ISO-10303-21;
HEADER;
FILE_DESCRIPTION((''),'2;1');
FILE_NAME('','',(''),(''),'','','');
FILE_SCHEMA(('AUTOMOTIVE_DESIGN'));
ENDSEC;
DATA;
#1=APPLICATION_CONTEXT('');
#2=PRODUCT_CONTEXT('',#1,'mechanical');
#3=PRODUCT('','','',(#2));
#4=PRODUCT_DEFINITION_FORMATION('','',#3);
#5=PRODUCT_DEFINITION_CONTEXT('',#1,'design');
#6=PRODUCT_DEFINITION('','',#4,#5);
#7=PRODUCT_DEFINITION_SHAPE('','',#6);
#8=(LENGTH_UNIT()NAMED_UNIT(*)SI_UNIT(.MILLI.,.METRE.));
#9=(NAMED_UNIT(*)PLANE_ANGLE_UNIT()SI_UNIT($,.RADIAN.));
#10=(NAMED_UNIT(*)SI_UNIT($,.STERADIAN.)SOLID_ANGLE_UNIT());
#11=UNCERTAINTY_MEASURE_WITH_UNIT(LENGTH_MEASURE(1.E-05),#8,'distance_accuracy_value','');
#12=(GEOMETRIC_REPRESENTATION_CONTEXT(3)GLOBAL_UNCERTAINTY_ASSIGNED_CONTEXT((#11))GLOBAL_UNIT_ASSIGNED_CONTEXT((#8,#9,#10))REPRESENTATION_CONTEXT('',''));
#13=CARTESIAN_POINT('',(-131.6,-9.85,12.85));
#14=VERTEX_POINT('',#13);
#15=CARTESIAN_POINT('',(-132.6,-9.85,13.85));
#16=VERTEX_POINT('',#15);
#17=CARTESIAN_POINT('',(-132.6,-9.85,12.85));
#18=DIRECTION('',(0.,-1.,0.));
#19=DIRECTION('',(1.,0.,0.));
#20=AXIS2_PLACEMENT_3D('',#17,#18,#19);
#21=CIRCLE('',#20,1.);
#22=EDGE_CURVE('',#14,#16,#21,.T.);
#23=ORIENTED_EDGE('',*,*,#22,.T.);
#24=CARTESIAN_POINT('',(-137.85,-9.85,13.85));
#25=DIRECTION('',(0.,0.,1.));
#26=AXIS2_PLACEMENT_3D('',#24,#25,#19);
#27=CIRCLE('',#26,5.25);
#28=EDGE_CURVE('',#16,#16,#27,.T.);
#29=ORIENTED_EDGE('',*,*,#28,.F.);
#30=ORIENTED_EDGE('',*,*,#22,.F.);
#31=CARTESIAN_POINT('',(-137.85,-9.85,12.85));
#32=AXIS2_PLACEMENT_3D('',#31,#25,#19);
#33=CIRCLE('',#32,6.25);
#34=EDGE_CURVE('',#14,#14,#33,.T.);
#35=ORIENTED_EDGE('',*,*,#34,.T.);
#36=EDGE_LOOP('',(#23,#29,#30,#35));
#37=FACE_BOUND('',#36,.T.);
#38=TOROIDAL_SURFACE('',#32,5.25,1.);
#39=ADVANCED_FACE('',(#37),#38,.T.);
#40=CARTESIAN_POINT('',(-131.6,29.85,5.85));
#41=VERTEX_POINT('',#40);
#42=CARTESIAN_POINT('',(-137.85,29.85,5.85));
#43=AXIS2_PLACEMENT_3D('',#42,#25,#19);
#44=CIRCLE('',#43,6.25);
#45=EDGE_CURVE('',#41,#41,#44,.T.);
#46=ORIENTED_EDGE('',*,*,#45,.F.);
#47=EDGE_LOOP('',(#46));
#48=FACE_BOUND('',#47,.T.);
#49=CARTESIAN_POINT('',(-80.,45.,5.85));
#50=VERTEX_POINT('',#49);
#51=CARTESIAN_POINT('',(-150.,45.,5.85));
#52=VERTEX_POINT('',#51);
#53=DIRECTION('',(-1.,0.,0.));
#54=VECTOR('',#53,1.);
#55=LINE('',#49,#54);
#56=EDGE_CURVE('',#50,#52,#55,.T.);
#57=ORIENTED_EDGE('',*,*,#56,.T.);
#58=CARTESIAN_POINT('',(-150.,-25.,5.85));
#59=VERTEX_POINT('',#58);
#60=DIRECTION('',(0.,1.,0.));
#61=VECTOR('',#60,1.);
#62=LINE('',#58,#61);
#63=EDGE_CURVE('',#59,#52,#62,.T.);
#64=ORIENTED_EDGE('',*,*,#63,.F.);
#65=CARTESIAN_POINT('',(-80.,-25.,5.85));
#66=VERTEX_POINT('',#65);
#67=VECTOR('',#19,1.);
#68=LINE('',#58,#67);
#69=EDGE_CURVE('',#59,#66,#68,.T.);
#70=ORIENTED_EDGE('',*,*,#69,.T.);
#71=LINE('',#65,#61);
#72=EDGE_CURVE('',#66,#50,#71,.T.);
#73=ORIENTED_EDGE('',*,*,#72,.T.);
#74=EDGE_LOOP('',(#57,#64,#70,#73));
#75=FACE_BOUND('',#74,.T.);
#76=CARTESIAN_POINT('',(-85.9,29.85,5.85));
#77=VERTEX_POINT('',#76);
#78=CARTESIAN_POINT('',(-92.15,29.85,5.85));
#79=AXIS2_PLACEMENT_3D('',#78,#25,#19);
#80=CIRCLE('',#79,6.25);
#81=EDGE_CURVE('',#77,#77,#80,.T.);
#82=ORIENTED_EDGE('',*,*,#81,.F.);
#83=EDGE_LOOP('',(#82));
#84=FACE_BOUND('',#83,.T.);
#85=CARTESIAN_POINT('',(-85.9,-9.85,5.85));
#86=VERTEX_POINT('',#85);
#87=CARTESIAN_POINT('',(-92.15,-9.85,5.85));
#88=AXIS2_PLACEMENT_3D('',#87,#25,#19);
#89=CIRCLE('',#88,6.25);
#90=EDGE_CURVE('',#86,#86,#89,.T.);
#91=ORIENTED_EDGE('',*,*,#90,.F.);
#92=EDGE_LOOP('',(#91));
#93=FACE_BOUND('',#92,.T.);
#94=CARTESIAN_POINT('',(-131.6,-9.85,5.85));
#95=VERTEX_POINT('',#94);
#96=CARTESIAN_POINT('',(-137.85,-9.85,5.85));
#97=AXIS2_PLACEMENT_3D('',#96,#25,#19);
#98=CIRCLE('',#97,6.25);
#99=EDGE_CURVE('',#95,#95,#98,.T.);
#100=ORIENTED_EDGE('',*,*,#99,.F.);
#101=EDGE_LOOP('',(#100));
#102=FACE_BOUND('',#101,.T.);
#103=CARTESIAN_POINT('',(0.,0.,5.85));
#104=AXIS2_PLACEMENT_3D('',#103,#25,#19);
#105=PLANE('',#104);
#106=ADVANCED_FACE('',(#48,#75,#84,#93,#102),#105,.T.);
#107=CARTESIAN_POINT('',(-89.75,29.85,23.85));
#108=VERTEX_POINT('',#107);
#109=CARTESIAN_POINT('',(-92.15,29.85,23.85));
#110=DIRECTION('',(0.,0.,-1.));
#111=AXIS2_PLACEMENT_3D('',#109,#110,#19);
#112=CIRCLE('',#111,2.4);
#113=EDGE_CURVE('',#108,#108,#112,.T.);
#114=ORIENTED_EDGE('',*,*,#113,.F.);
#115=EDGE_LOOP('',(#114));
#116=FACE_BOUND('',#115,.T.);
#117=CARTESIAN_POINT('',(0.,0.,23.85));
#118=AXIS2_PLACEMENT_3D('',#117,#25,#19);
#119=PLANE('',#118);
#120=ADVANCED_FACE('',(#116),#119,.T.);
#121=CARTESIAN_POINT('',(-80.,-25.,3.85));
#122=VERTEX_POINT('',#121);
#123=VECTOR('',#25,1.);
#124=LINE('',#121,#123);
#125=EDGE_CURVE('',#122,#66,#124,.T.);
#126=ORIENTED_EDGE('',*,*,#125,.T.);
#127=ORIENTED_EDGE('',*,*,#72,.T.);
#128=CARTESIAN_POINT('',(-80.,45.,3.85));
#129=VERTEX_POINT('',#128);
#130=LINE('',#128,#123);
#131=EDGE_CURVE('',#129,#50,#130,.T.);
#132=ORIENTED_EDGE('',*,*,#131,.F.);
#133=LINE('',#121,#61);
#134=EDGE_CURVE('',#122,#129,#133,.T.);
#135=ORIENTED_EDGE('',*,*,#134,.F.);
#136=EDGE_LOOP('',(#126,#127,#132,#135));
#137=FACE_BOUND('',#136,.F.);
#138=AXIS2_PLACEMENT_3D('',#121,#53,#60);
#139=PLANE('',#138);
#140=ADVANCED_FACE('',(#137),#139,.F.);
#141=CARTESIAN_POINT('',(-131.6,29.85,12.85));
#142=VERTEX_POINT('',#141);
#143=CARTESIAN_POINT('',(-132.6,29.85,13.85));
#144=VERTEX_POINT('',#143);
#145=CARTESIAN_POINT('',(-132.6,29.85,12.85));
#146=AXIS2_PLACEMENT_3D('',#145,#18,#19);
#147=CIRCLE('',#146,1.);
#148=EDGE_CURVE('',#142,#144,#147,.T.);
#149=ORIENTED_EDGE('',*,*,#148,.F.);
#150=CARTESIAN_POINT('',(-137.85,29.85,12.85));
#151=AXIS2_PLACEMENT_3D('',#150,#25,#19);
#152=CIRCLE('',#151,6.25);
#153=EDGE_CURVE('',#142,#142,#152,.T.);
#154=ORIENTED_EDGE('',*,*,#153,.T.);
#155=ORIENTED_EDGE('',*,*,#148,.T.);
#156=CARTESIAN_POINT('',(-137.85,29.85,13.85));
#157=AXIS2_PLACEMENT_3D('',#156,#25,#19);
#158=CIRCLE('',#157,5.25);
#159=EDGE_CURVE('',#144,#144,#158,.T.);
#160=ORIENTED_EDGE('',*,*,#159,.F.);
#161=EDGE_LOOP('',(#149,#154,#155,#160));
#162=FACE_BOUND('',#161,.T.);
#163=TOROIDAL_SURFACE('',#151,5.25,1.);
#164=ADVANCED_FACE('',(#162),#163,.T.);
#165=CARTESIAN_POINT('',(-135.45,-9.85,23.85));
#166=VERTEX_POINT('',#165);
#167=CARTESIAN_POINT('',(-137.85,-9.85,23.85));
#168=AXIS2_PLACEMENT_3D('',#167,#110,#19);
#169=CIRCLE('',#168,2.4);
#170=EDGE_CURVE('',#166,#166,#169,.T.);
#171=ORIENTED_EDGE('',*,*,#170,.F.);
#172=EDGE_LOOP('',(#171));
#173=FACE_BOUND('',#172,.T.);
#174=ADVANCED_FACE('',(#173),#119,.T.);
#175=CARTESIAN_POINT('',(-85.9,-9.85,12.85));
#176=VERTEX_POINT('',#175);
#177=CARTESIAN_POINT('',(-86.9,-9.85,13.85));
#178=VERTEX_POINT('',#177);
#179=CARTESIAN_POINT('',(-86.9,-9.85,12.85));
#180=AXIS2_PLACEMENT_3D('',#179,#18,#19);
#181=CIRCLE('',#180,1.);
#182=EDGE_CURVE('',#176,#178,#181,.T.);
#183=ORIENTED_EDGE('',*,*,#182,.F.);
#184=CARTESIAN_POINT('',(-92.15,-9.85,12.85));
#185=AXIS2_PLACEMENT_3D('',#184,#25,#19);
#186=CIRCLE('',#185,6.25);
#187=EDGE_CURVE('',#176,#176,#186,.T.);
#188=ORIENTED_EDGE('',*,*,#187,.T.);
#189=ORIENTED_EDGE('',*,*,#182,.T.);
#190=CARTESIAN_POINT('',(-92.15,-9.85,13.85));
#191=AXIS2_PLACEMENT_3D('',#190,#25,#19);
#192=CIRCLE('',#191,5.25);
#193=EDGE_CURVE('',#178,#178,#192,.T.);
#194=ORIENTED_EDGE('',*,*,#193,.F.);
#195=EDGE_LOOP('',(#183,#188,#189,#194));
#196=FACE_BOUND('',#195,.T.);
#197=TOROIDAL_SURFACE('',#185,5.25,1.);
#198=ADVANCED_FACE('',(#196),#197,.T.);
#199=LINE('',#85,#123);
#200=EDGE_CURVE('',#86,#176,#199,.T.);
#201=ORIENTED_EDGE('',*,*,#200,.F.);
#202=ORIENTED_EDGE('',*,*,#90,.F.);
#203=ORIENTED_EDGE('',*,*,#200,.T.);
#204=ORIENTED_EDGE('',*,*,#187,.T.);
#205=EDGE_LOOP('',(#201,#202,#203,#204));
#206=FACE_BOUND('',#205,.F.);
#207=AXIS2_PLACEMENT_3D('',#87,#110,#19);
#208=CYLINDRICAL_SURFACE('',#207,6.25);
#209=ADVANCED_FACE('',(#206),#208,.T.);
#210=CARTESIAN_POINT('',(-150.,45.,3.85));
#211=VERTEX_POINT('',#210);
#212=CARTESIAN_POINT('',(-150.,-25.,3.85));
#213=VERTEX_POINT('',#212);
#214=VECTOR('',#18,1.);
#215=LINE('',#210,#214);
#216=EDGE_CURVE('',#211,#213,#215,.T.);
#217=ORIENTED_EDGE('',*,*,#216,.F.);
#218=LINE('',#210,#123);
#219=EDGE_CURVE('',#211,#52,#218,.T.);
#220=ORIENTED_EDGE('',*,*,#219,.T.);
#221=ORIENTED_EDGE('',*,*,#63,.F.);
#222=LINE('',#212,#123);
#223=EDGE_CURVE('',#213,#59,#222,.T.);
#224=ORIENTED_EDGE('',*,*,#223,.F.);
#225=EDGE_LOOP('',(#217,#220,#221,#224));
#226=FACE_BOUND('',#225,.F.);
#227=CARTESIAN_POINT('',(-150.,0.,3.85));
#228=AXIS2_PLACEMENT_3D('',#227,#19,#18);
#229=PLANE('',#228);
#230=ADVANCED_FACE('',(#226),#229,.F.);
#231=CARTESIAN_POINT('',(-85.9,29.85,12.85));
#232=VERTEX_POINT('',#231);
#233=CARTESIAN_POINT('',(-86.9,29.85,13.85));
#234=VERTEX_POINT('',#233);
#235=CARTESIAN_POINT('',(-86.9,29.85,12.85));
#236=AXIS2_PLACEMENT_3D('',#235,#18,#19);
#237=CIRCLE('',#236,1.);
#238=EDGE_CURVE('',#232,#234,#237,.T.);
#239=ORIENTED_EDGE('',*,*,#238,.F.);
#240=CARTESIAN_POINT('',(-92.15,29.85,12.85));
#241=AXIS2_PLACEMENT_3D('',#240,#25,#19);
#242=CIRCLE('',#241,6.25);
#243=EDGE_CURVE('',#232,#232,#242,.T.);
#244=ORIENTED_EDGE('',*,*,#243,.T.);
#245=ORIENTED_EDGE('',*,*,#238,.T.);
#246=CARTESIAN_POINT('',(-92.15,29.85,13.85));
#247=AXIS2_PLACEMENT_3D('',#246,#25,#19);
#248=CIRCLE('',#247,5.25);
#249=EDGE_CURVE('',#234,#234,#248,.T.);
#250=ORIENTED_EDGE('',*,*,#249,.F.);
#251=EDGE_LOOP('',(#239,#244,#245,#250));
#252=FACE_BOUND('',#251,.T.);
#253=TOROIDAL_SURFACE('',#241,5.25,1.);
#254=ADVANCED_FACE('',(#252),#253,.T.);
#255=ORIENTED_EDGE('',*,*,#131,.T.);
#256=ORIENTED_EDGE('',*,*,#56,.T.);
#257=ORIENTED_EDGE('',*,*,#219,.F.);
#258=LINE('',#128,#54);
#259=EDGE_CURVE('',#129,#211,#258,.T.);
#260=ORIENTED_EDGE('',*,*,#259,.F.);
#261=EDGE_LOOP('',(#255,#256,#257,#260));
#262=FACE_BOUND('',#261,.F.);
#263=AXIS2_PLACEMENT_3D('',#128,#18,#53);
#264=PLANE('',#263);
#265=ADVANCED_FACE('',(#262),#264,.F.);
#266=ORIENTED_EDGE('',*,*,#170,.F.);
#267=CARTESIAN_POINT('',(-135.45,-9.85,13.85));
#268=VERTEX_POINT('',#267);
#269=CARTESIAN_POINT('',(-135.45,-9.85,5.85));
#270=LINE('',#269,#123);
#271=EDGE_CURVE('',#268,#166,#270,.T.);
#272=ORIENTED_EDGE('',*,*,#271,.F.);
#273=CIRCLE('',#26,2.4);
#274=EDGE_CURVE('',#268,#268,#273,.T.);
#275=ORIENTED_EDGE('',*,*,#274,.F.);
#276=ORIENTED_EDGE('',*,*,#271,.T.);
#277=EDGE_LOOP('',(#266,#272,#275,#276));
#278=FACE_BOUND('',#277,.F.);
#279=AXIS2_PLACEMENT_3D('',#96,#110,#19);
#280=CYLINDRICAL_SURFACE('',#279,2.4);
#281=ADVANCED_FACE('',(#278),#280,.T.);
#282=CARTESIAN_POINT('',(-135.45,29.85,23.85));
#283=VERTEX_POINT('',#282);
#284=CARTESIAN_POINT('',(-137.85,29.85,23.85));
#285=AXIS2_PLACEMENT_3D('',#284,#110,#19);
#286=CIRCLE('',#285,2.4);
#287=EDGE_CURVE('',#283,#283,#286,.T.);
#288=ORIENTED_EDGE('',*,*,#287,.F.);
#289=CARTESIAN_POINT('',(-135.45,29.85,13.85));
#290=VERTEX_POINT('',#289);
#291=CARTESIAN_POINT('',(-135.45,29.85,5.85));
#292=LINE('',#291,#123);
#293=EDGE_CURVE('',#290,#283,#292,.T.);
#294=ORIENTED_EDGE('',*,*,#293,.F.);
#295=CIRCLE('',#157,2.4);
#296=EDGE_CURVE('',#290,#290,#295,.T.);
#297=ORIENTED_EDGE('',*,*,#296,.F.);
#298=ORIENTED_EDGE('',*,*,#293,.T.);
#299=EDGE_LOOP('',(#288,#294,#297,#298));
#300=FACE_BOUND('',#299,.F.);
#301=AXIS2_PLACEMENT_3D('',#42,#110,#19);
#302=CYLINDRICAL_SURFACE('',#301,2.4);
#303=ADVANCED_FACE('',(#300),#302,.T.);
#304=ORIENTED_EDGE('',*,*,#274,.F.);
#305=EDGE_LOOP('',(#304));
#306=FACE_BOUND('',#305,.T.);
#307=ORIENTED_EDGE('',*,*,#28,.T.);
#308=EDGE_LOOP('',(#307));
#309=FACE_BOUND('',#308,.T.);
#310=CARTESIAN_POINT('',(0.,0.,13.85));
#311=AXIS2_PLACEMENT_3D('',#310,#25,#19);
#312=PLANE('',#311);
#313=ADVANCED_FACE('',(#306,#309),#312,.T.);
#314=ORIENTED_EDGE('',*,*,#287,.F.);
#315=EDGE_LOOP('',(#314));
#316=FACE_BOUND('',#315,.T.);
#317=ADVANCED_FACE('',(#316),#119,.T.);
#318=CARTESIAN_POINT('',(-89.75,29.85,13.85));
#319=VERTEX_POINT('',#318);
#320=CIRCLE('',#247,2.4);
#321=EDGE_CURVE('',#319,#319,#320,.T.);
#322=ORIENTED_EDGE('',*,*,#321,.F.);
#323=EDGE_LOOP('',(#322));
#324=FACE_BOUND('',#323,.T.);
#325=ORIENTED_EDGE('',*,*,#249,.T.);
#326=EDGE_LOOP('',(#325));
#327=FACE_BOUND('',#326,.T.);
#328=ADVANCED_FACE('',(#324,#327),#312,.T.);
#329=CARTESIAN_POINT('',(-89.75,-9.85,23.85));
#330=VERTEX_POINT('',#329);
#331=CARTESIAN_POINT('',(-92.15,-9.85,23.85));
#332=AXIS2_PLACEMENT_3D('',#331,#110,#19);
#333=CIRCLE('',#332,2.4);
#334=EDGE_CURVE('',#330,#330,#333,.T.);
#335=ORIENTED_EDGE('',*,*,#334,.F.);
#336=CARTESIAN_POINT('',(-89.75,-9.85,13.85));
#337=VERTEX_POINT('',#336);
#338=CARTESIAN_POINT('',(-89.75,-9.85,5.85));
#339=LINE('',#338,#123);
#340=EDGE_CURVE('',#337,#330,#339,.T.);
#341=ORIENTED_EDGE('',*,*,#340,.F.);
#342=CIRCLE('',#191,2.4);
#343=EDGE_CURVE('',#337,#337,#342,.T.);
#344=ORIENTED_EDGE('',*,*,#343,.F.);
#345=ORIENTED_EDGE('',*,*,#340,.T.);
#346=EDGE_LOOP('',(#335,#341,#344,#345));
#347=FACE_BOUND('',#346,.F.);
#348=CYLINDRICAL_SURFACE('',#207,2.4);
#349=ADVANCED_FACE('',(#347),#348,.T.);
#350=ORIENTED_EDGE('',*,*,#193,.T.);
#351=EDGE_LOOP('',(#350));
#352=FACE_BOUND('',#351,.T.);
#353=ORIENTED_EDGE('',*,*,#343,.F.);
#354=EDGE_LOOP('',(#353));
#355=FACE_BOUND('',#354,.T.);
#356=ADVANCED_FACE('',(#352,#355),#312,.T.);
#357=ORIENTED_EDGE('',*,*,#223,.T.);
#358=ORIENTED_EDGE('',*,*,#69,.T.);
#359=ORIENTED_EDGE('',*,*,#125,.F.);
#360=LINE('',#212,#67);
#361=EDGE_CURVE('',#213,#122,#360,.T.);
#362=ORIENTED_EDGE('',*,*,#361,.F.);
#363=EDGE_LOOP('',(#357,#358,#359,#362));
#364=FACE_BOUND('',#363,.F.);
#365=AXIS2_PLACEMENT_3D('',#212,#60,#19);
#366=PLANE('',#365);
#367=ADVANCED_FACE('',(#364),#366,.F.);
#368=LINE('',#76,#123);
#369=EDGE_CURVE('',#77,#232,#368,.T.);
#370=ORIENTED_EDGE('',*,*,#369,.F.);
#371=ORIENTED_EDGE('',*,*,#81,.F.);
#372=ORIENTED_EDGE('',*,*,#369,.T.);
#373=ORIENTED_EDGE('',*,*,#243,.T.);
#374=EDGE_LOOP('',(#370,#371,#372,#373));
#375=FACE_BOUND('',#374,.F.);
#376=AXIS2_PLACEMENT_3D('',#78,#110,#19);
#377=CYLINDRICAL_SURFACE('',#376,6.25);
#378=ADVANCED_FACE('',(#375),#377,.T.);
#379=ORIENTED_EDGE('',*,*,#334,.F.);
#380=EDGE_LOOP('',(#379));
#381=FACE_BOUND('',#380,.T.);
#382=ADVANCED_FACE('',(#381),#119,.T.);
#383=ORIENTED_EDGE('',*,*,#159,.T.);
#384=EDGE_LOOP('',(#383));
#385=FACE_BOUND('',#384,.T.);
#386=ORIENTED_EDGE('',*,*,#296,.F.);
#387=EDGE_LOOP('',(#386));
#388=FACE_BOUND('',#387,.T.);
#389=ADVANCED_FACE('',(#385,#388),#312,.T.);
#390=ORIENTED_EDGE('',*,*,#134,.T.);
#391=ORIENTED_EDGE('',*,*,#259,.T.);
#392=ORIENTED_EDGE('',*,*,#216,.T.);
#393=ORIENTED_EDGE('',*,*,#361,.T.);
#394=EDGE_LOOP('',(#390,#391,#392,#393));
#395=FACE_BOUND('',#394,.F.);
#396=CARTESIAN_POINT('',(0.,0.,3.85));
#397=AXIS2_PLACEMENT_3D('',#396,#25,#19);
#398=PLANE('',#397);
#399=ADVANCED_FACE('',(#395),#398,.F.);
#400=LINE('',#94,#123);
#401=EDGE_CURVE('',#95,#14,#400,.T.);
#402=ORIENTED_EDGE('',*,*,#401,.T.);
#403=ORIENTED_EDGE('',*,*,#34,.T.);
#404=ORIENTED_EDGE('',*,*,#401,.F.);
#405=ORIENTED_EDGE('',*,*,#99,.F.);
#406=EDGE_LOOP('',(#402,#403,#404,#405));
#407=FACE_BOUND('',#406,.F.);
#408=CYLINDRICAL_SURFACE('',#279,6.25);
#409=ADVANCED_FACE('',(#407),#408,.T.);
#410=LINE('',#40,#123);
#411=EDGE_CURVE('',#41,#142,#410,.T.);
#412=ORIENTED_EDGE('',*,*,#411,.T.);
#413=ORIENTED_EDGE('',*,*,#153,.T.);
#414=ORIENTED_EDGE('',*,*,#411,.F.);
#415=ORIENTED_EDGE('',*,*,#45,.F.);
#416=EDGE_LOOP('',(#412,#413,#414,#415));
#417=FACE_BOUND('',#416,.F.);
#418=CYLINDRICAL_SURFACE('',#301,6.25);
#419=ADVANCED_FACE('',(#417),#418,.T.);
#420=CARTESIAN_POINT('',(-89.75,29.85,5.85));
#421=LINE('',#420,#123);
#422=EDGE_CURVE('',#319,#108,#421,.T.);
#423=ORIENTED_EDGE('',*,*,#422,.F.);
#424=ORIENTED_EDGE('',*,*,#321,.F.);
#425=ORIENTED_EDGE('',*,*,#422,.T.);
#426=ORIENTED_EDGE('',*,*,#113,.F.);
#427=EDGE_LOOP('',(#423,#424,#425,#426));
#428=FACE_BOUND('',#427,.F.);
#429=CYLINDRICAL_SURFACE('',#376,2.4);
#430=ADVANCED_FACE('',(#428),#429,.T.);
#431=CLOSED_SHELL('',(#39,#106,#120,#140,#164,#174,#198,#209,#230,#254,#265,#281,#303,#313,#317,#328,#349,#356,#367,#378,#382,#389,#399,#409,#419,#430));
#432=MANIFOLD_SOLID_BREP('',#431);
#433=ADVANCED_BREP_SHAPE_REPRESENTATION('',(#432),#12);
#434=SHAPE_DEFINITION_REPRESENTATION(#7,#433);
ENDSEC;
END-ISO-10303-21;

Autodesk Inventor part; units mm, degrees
ref_plane "YZ Plane" through (0, 0, 0) normal (1, 0, 0) x (0, 1, 0)
ref_plane "XZ Plane" through (0, 0, 0) normal (0, 1, 0) x (-1, 0, 0)
ref_plane "Work Plane1" through (0, 0, 3.85) normal (0, 0, 1) x (1, 0, 0)
sketch "Sketch1" plane through (0, 0, 3.85) normal (0, 0, 1) x (1, 0, 0)
  line L0 (-150, -25) -> (-80, -25)
  line L1 (-80, -25) -> (-80, 45)
  line L2 (-80, 45) -> (-150, 45)
  line L3 (-150, 45) -> (-150, -25)
  circle A0 centre (-10, 10) radius 2.5 projected
  line L4 (-150, 0) -> (-150, 5.1) projected
  line L5 (-150, 14.9) -> (-150, 20) projected
  point P0 (0, 0)
  dimension "d0" = 70
  dimension "d20" = 70
  dimension "d21" = 0
extrude "Extrusion1" add sketch "Sketch1" along normal blind 2 contours L3 L2 L1 L0
sketch "Sketch2" plane through (0, 0, 5.85) normal (0, 0, 1) x (1, 0, 0)
  line L0 (-80, -25) -> (-80, 45) projected
  line L1 (-80, 45) -> (-150, 45) projected
  line L2 (-150, 45) -> (-150, -25) projected
  line L3 (-150, -25) -> (-80, -25) projected
  circle A0 centre (-137.85, -9.85) radius 2.4
  circle A1 centre (-137.85, 29.85) radius 2.4
  circle A2 centre (-92.15, -9.85) radius 2.4
  circle A3 centre (-92.15, 29.85) radius 2.4
  line L4 (-140.25, -12.25) -> (-89.75, -12.25)
  line L5 (-89.75, -12.25) -> (-89.75, 32.25)
  line L6 (-89.75, 32.25) -> (-140.25, 32.25)
  line L7 (-140.25, 32.25) -> (-140.25, -12.25)
  line L8 (-150, -25) -> (-80, 45) construction
  line L9 (-80, -25) -> (-150, 45) construction
  line L10 (-89.75, -12.25) -> (-140.25, 32.25) construction
  line L11 (-140.25, -12.25) -> (-89.75, 32.25) construction
  point P0 (0, 0)
  point P1 (-115, 10)
  dimension "d5" = 4.8
  dimension "d6" = 4.8
  dimension "d7" = 4.8
  dimension "d8" = 4.8
  dimension "d9" = 44.5
  dimension "d10" = 50.5
extrude "Extrusion2" add sketch "Sketch2" along normal blind 18 contours A0 | A1 | A2 | A3
sketch "Sketch3" plane through (0, 0, 5.85) normal (0, 0, 1) x (1, 0, 0)
  circle A0 centre (-92.15, -9.85) radius 2.4 projected
  circle A1 centre (-92.15, 29.85) radius 2.4 projected
  circle A2 centre (-137.85, -9.85) radius 2.4 projected
  circle A3 centre (-137.85, 29.85) radius 2.4 projected
  circle A4 centre (-137.85, -9.85) radius 6.25
  circle A5 centre (-137.85, 29.85) radius 6.25
  circle A6 centre (-92.15, -9.85) radius 6.25
  circle A7 centre (-92.15, 29.85) radius 6.25
  point P0 (0, 0)
  dimension "d13" = 12.5
  dimension "d14" = 12.5
  dimension "d15" = 12.5
  dimension "d16" = 12.5
extrude "Extrusion3" add sketch "Sketch3" along normal blind 8
fillet "Fillet1" radius 1 4 edges at (-144.1, -9.85, 13.85) (-98.4, -9.85, 13.85) (-98.4, 29.85, 13.85) (-144.1, 29.85, 13.85)
equation "\"d20\" = d0"
equation "\"d14\" = d13"
equation "\"d15\" = d13"
equation "\"d16\" = d13"
properties part number "Plateo"
